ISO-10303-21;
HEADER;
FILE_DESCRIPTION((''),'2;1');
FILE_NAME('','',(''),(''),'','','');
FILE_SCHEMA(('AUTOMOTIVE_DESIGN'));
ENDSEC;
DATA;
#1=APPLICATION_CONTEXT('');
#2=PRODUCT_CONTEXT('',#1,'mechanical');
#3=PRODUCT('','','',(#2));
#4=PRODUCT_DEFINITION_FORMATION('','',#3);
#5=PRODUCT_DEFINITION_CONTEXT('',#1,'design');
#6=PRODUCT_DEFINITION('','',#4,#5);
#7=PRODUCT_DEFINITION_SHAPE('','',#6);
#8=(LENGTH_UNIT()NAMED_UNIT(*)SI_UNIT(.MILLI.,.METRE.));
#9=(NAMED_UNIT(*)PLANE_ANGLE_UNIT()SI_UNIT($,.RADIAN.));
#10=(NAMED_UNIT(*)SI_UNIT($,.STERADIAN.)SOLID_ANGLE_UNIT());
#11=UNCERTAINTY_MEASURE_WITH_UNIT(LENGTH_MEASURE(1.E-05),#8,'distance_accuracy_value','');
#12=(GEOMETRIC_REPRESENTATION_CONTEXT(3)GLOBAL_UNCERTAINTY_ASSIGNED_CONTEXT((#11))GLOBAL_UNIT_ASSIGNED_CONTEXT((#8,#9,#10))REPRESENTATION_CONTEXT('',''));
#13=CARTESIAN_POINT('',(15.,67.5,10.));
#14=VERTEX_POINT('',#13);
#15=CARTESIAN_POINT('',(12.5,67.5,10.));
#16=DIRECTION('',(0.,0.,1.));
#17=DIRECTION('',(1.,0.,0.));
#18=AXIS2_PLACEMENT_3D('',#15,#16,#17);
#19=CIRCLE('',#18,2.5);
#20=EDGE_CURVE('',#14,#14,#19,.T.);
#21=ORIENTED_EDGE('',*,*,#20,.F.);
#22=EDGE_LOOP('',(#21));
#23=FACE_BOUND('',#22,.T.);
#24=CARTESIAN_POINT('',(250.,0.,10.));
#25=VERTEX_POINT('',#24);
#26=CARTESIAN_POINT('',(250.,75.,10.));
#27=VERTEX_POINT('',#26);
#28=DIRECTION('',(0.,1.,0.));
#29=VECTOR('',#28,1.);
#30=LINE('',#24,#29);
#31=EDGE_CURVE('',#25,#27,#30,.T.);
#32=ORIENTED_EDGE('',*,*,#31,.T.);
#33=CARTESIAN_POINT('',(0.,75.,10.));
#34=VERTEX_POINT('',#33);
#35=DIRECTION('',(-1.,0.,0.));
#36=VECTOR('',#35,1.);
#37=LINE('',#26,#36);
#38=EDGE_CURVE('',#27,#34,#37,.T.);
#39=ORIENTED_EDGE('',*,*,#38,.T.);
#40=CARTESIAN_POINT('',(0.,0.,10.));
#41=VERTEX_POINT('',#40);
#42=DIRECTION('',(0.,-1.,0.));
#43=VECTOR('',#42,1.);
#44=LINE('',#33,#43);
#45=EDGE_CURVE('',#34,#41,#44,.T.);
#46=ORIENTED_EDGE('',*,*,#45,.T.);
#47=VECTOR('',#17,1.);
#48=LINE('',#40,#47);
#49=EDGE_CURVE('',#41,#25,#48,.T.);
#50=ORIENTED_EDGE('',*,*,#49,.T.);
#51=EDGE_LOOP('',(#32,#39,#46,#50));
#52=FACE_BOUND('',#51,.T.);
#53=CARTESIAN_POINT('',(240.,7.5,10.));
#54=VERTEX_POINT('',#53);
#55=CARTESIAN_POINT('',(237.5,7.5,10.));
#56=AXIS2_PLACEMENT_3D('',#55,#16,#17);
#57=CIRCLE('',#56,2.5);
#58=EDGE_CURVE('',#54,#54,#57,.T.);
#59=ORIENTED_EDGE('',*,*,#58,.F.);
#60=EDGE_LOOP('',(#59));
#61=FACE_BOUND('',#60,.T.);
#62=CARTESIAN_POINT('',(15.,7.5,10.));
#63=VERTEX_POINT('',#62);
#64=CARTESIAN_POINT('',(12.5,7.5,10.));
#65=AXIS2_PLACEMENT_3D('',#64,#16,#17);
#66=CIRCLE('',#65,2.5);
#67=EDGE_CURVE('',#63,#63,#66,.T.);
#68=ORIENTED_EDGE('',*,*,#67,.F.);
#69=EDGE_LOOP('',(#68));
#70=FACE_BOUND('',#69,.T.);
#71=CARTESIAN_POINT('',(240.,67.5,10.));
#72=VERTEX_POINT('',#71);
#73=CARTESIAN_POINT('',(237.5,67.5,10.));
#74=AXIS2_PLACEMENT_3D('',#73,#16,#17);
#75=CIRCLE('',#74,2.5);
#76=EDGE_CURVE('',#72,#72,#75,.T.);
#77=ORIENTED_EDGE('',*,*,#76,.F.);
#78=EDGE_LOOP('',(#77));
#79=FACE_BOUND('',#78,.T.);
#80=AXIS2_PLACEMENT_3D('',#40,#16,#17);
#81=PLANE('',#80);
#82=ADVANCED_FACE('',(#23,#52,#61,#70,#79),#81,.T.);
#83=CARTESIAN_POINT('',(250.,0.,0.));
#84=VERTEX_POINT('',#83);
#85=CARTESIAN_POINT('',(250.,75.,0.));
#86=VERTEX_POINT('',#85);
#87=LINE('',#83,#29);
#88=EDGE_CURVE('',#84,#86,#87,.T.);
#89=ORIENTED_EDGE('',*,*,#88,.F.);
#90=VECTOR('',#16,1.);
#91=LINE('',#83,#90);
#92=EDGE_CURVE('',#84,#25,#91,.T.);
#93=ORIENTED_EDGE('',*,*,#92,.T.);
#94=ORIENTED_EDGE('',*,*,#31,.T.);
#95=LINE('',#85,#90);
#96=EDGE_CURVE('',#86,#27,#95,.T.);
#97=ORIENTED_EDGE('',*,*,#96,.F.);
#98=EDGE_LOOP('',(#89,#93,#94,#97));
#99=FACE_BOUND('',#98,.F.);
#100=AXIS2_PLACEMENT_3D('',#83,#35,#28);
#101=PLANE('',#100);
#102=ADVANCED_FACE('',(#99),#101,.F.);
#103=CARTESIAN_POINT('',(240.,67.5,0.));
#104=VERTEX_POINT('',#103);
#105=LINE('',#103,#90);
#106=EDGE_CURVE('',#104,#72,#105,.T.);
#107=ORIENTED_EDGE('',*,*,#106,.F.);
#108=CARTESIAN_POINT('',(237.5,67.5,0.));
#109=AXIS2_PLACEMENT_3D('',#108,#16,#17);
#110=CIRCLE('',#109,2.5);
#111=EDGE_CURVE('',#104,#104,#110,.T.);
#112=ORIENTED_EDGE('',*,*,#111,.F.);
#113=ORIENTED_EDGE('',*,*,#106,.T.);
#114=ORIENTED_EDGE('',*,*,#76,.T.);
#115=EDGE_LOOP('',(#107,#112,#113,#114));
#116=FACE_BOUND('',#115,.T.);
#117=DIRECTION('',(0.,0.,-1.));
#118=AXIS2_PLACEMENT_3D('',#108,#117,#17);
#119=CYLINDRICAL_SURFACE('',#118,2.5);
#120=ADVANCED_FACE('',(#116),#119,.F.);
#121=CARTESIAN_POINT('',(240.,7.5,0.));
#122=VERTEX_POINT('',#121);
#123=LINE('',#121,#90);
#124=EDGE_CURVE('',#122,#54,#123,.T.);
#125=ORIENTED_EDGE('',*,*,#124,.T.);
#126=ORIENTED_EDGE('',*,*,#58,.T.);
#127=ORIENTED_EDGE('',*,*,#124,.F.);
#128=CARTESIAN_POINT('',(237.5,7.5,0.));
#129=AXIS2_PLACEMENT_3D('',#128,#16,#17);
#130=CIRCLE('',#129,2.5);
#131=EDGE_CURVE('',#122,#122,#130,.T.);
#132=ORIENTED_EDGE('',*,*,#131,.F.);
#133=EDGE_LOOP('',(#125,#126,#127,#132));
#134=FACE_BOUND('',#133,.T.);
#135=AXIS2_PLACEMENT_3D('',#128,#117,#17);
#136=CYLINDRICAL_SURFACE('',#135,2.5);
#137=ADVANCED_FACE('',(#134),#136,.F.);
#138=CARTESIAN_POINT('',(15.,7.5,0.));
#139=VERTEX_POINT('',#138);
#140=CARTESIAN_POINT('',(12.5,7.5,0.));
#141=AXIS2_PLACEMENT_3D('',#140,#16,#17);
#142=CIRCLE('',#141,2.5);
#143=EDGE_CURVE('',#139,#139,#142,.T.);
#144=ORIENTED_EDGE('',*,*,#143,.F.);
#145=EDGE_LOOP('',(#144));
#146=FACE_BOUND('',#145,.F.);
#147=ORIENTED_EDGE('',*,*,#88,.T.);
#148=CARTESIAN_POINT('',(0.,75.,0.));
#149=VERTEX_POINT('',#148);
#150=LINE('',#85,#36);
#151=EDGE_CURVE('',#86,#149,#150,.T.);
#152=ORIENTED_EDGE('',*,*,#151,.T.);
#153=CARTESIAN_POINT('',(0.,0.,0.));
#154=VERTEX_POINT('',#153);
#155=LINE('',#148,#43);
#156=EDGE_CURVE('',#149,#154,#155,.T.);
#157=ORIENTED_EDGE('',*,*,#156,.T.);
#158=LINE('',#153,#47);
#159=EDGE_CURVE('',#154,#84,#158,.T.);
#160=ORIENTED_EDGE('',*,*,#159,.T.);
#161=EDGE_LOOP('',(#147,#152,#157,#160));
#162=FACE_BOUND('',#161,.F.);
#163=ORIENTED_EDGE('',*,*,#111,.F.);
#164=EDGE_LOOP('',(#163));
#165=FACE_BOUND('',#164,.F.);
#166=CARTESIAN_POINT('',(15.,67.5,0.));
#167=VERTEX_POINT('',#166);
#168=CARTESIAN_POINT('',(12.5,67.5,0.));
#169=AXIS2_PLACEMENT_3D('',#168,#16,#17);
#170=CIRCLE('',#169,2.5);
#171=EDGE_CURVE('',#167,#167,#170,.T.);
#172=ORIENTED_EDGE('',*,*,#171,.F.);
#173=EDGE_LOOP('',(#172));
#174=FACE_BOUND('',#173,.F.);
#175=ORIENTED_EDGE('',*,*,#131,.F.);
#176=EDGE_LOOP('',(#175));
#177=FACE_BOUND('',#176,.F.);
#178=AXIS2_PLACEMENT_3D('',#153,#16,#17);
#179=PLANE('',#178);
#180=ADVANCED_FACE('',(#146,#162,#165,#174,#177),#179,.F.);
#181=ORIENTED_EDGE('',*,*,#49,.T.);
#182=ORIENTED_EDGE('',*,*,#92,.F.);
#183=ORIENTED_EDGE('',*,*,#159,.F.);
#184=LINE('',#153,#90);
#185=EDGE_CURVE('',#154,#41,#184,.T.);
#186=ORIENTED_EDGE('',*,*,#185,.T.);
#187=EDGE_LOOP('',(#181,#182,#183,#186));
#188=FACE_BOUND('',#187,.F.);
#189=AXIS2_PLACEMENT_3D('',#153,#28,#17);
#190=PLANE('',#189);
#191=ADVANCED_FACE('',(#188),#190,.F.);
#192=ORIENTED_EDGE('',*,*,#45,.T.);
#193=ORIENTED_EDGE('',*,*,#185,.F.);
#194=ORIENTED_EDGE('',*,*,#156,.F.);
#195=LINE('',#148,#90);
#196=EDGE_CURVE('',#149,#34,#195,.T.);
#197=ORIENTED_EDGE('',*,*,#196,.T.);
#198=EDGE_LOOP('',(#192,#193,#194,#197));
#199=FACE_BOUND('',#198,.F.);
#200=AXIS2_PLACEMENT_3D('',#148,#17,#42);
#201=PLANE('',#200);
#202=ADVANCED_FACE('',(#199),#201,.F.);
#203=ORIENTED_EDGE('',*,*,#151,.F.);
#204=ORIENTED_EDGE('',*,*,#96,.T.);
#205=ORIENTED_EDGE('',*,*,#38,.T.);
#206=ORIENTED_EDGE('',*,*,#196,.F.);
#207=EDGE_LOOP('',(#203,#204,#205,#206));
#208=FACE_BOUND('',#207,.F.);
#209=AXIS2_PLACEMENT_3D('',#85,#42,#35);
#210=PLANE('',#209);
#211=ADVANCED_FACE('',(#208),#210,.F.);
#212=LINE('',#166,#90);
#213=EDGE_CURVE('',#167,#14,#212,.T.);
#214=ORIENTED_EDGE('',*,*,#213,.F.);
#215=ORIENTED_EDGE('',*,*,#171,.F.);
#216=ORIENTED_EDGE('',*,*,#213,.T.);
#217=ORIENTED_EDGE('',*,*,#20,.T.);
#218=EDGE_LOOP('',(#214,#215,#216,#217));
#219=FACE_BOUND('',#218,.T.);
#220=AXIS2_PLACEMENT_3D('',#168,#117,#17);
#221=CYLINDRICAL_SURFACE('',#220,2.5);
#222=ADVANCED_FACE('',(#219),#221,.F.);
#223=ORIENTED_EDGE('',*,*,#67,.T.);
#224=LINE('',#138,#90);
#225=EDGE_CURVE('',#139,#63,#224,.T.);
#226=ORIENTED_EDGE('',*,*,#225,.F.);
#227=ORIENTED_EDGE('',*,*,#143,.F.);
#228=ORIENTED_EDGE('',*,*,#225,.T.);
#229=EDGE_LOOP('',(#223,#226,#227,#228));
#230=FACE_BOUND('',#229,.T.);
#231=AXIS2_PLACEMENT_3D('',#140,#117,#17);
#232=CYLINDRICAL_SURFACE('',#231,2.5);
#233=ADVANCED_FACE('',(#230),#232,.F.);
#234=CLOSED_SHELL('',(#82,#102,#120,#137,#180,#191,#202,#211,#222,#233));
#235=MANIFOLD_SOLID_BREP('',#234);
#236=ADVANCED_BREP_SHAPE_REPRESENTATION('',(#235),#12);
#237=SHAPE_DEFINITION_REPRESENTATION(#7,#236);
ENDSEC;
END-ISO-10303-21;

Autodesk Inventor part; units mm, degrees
ref_plane "YZ Plane" through (0, 0, 0) normal (1, 0, 0) x (0, 1, 0)
ref_plane "XZ Plane" through (0, 0, 0) normal (0, 1, 0) x (-1, 0, 0)
ref_plane "XY Plane" through (0, 0, 0) normal (0, 0, 1) x (1, 0, 0)
sketch "Sketch1" plane through (0, 0, 0) normal (0, 0, 1) x (1, 0, 0)
  line L0 (0, 0) -> (250, 0)
  line L1 (250, 0) -> (250, 75)
  line L2 (250, 75) -> (0, 75)
  line L3 (0, 75) -> (0, 0)
  line L4 (12.5, 67.5) -> (237.5, 67.5) construction
  line L5 (237.5, 67.5) -> (237.5, 7.5) construction
  line L6 (237.5, 7.5) -> (12.5, 7.5) construction
  line L7 (12.5, 7.5) -> (12.5, 67.5) construction
  circle A0 centre (12.5, 67.5) radius 2.5
  circle A1 centre (12.5, 7.5) radius 2.5
  circle A2 centre (237.5, 7.5) radius 2.5
  circle A3 centre (237.5, 67.5) radius 2.5
  circle A4 centre (125, 37.5) radius 12.5
  point P0 (125, 67.5)
  point P1 (125, 75)
  point P2 (12.5, 37.5)
  point P3 (0, 37.5)
  dimension "d0" = 250
  dimension "d1" = 75
  dimension "d2" = 225
  dimension "d3" = 60
  dimension "d4" = 5
  dimension "d5" = 5
  dimension "d6" = 5
  dimension "d7" = 5
  dimension "d8" = 25
extrude "Extrusion1" add sketch "Sketch1" along normal blind 10 contours L3 L2 L1 L0 | A4
properties part number "HA03" material "ABS Plastic"
